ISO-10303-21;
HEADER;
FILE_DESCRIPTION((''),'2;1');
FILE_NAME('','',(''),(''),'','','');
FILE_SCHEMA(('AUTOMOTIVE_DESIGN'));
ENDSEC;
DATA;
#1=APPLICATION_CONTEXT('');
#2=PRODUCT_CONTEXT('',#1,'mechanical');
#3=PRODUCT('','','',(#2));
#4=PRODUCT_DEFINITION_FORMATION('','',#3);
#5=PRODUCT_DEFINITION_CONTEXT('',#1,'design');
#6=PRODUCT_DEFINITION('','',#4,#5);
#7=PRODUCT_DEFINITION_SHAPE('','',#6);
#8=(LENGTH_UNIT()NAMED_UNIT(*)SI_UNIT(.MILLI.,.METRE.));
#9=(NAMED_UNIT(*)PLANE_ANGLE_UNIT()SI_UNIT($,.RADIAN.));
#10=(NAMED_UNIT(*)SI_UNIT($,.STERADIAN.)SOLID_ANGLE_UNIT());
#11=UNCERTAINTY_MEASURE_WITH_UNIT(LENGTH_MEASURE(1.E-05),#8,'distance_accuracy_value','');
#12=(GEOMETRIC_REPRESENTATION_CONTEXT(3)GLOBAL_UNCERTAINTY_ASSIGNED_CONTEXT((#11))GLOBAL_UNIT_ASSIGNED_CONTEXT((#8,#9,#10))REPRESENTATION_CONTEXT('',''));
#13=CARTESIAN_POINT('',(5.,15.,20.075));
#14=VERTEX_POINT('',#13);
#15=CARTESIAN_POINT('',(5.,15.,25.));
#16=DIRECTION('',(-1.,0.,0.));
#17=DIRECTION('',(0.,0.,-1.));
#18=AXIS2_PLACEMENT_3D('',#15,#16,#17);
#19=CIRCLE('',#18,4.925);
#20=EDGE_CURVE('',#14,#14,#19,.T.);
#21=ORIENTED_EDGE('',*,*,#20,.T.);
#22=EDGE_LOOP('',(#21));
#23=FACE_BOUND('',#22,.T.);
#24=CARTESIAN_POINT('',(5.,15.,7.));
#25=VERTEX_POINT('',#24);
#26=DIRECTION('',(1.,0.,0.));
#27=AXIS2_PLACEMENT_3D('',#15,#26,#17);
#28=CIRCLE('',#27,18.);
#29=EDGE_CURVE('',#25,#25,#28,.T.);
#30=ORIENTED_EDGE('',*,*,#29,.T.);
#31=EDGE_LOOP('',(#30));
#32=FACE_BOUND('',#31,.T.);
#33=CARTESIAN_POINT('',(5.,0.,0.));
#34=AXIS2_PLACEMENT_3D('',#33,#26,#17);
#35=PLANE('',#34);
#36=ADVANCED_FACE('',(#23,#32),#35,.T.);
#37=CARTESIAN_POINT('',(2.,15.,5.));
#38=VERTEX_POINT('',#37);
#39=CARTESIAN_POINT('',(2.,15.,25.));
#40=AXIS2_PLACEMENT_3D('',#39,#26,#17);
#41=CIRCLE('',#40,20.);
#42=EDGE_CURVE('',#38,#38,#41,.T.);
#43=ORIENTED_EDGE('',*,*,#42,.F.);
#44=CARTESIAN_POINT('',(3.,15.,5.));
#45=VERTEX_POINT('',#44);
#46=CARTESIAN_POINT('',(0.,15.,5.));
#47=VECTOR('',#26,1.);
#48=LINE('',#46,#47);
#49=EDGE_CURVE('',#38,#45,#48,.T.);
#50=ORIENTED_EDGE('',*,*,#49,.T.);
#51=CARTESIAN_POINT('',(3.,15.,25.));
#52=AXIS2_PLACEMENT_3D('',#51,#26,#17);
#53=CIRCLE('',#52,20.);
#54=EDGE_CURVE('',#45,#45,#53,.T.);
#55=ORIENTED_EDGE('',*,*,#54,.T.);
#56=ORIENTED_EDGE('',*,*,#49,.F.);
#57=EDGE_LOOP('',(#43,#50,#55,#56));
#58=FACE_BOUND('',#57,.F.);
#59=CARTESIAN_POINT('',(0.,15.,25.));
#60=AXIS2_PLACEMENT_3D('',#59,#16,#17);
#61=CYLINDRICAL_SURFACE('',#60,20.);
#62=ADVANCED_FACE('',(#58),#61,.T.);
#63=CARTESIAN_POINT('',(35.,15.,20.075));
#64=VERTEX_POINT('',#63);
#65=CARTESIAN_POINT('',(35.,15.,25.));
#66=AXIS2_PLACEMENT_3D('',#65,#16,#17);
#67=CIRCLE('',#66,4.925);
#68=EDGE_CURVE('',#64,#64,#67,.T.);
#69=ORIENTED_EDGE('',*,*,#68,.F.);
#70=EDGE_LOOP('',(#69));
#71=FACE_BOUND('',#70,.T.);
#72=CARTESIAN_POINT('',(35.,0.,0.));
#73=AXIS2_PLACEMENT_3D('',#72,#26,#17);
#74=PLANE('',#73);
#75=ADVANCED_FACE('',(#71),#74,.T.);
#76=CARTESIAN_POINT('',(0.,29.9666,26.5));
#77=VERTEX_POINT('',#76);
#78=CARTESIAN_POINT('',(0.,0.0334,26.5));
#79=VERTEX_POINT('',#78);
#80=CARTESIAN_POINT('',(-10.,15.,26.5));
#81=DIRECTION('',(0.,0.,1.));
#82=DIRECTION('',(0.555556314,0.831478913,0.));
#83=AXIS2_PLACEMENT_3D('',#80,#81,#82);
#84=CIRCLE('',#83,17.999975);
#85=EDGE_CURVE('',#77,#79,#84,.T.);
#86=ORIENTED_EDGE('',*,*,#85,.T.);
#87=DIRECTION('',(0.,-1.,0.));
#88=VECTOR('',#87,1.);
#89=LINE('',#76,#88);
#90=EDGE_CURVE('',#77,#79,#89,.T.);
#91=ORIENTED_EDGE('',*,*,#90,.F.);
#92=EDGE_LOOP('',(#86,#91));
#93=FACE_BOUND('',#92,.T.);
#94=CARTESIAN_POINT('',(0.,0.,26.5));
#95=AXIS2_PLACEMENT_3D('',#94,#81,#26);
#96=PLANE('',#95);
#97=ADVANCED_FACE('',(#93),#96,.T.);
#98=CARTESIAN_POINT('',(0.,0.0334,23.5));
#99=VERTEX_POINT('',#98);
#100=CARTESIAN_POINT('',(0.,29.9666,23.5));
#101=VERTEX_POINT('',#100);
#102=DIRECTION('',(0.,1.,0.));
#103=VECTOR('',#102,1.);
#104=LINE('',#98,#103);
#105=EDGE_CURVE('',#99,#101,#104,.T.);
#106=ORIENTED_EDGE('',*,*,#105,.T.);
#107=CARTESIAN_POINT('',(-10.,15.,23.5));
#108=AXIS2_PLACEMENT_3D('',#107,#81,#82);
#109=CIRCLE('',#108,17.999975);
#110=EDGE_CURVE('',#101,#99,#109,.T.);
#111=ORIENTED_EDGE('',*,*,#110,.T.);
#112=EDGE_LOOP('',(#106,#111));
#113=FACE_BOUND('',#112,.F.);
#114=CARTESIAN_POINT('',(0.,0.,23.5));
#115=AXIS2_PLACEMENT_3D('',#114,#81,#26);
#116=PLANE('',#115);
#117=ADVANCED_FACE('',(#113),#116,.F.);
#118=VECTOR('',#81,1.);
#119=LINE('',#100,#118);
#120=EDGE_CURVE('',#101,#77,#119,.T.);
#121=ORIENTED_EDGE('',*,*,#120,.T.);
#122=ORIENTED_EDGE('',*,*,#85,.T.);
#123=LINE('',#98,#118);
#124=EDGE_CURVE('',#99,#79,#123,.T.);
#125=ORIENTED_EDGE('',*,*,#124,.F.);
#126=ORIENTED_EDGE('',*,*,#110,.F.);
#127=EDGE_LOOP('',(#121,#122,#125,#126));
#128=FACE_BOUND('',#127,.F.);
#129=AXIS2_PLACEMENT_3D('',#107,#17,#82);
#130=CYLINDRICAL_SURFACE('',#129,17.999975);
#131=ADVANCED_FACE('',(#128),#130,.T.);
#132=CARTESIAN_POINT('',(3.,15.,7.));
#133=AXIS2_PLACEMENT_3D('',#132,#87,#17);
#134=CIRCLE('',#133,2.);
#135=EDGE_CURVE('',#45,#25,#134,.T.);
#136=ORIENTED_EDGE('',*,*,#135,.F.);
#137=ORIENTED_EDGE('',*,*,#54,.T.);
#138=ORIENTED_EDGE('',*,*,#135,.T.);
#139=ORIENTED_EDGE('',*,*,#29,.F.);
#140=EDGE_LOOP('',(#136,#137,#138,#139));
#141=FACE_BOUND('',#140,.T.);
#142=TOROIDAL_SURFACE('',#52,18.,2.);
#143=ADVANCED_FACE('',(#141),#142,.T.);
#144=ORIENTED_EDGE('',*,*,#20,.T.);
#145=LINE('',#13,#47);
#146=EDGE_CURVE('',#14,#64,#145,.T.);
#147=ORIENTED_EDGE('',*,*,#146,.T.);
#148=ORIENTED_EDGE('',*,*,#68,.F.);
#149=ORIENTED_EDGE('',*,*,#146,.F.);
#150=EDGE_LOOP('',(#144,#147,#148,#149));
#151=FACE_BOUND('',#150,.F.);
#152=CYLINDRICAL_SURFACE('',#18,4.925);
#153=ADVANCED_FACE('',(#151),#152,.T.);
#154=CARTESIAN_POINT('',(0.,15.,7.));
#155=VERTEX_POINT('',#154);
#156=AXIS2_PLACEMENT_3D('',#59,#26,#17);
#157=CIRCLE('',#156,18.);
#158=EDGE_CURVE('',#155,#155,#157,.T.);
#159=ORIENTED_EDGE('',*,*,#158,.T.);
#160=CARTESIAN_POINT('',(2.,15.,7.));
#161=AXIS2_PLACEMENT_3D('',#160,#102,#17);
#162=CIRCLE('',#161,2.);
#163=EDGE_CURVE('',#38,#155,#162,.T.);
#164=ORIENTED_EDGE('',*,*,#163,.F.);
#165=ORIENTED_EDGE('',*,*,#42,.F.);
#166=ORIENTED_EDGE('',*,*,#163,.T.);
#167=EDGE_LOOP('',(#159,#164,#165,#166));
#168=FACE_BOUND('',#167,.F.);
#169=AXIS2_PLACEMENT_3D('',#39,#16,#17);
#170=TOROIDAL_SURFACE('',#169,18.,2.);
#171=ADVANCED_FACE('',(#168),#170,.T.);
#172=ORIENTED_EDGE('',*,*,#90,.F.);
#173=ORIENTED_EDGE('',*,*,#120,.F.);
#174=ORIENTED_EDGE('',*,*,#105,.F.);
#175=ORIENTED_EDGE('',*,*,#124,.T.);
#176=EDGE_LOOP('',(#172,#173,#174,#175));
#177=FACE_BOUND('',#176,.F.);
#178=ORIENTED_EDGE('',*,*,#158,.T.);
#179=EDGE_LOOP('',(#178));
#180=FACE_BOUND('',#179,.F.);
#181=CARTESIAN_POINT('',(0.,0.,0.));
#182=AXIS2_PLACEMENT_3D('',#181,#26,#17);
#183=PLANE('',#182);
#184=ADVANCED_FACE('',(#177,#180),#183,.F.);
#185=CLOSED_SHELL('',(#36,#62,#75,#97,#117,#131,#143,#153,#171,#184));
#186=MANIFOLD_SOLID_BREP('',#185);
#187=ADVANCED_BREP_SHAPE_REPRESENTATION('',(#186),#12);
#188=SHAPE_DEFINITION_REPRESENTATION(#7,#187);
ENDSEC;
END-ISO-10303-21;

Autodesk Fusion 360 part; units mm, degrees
sketch "Sketch1" plane through (0, 0, 0) normal (1, 0, 0) x (0, 0, -1)
  circle A0 centre (-25, 15) radius 20
  dimension "d1" = 40
extrude "Extrude1" add sketch "Sketch1" along normal blind 5
fillet "Fillet1" radius 2 1 edges at (5, 7.7677, 43.6465)
fillet "Fillet2" radius 2 1 edges at (0, 7.7677, 43.6465)
sketch "Sketch2" plane through (5, 0, 0) normal (1, 0, 0) x (0, 0, -1)
  circle A0 centre (-25, 15) radius 18
  circle A1 centre (-25, 15) radius 5
  dimension "d6" = 10
extrude "Extrude2" add sketch "Sketch2" along normal blind 30 contours A1
thread "Thread1" "ISO Metric profile 10.0 M10x1.5 6g" major diameter 9.85 minor diameter 8.141 pitch 1.5 angle 60 resizes the face on face at (25, 14.5022, 20.0248)
sketch "Sketch3" plane through (0, 0, 0) normal (1, 0, 0) x (0, 0, -1)
sketch "Sketch4" plane through (0, 0, 0) normal (-1, 0, 0) x (0, 0, 1)
  circle A0 centre (25, 15) radius 18
sketch "Sketch5" plane through (0, 0, 0) normal (0, 0, 1) x (1, 0, 0)
sketch "Sketch6" plane through (0, 0, 0) normal (0, 0, 1) x (1, 0, 0)
  line L0 (-10, 15) -> (50, 15)
  line L1 (0, 0) -> (0, 29.9666)
  arc A0 (0, 29.9666) -> (0, 0.0334) centre (-10, 15) ccw
  dimension "d9" = 36
extrude "Extrude3" add sketch "Sketch6" along normal blind 3 from surface at 23.5
